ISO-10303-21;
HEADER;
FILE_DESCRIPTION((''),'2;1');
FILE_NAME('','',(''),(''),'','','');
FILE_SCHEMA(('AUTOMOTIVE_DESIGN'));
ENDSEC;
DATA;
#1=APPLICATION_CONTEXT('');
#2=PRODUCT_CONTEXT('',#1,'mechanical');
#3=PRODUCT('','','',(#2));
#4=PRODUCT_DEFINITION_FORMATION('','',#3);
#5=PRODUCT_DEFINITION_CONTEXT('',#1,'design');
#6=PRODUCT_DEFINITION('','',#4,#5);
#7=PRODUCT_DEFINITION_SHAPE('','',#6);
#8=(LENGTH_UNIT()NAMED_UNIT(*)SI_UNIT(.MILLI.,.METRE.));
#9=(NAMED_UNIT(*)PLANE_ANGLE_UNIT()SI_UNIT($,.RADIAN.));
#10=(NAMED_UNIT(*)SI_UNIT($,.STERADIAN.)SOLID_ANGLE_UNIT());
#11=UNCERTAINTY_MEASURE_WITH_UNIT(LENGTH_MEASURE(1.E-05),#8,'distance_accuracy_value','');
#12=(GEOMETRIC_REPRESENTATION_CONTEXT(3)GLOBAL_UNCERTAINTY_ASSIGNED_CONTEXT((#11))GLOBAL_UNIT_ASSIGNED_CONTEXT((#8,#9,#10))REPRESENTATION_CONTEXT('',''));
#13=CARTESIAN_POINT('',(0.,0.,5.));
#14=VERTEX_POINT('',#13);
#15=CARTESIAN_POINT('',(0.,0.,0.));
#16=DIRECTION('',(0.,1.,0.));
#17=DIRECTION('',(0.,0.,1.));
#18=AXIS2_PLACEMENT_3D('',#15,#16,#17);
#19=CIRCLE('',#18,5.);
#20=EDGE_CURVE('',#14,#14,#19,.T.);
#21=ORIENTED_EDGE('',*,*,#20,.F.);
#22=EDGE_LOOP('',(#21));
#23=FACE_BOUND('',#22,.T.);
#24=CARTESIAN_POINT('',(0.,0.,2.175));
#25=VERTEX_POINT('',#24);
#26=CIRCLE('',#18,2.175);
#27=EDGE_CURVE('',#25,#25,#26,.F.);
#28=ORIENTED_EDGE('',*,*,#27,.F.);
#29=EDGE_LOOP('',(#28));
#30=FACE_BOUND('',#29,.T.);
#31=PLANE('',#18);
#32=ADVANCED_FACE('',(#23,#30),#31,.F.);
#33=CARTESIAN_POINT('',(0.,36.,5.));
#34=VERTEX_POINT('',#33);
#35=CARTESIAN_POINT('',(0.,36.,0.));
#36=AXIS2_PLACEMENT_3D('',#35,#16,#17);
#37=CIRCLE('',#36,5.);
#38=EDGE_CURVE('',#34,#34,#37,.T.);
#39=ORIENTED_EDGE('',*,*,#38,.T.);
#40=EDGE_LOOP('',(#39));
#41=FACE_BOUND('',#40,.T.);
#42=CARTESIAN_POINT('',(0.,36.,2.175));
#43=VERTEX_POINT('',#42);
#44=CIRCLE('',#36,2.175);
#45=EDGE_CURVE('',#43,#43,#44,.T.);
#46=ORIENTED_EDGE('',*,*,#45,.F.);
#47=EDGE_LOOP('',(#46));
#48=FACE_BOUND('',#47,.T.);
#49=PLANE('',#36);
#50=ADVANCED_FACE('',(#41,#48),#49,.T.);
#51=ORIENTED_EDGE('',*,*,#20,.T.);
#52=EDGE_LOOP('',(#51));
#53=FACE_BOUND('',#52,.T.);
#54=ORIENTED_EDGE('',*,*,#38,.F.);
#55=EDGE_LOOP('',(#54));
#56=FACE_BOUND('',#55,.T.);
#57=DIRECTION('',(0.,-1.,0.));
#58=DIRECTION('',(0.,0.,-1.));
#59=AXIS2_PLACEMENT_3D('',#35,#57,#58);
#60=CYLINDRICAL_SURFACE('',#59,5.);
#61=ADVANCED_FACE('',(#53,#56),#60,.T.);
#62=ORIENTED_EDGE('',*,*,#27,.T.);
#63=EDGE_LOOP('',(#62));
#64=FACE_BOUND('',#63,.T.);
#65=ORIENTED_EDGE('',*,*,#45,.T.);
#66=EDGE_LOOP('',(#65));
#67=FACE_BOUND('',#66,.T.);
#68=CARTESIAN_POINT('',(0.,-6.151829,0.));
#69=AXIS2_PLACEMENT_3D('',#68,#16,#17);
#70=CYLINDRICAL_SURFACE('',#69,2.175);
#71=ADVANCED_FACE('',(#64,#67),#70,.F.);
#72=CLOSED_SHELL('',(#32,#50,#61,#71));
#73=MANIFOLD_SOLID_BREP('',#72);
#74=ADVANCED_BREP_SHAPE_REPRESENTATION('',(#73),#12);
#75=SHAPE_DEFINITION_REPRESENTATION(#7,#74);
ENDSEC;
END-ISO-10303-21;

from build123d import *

# Parameters (mm, degrees)
CROQUIS1_R              = 5
SALIENTE_EXTRUIR1_DEPTH = 36
CROQUIS2_R              = 2.175
CORTAR_EXTRUIR1_DEPTH   = 36


with BuildPart() as part:
    # Croquis1 → Saliente-Extruir1 (new body)
    with BuildSketch(Plane(origin=(0, 0, 0), x_dir=(1, 0, 0), z_dir=(0, 1, 0))):
        Circle(CROQUIS1_R)
    extrude(amount=SALIENTE_EXTRUIR1_DEPTH)

    # Croquis2 → Cortar-Extruir1 (cut)
    with BuildSketch(Plane(origin=(0, 36, 0), x_dir=(1, 0, 0), z_dir=(0, 1, 0))):
        Circle(CROQUIS2_R)
    extrude(amount=-CORTAR_EXTRUIR1_DEPTH, mode=Mode.SUBTRACT)


solid = part.part
